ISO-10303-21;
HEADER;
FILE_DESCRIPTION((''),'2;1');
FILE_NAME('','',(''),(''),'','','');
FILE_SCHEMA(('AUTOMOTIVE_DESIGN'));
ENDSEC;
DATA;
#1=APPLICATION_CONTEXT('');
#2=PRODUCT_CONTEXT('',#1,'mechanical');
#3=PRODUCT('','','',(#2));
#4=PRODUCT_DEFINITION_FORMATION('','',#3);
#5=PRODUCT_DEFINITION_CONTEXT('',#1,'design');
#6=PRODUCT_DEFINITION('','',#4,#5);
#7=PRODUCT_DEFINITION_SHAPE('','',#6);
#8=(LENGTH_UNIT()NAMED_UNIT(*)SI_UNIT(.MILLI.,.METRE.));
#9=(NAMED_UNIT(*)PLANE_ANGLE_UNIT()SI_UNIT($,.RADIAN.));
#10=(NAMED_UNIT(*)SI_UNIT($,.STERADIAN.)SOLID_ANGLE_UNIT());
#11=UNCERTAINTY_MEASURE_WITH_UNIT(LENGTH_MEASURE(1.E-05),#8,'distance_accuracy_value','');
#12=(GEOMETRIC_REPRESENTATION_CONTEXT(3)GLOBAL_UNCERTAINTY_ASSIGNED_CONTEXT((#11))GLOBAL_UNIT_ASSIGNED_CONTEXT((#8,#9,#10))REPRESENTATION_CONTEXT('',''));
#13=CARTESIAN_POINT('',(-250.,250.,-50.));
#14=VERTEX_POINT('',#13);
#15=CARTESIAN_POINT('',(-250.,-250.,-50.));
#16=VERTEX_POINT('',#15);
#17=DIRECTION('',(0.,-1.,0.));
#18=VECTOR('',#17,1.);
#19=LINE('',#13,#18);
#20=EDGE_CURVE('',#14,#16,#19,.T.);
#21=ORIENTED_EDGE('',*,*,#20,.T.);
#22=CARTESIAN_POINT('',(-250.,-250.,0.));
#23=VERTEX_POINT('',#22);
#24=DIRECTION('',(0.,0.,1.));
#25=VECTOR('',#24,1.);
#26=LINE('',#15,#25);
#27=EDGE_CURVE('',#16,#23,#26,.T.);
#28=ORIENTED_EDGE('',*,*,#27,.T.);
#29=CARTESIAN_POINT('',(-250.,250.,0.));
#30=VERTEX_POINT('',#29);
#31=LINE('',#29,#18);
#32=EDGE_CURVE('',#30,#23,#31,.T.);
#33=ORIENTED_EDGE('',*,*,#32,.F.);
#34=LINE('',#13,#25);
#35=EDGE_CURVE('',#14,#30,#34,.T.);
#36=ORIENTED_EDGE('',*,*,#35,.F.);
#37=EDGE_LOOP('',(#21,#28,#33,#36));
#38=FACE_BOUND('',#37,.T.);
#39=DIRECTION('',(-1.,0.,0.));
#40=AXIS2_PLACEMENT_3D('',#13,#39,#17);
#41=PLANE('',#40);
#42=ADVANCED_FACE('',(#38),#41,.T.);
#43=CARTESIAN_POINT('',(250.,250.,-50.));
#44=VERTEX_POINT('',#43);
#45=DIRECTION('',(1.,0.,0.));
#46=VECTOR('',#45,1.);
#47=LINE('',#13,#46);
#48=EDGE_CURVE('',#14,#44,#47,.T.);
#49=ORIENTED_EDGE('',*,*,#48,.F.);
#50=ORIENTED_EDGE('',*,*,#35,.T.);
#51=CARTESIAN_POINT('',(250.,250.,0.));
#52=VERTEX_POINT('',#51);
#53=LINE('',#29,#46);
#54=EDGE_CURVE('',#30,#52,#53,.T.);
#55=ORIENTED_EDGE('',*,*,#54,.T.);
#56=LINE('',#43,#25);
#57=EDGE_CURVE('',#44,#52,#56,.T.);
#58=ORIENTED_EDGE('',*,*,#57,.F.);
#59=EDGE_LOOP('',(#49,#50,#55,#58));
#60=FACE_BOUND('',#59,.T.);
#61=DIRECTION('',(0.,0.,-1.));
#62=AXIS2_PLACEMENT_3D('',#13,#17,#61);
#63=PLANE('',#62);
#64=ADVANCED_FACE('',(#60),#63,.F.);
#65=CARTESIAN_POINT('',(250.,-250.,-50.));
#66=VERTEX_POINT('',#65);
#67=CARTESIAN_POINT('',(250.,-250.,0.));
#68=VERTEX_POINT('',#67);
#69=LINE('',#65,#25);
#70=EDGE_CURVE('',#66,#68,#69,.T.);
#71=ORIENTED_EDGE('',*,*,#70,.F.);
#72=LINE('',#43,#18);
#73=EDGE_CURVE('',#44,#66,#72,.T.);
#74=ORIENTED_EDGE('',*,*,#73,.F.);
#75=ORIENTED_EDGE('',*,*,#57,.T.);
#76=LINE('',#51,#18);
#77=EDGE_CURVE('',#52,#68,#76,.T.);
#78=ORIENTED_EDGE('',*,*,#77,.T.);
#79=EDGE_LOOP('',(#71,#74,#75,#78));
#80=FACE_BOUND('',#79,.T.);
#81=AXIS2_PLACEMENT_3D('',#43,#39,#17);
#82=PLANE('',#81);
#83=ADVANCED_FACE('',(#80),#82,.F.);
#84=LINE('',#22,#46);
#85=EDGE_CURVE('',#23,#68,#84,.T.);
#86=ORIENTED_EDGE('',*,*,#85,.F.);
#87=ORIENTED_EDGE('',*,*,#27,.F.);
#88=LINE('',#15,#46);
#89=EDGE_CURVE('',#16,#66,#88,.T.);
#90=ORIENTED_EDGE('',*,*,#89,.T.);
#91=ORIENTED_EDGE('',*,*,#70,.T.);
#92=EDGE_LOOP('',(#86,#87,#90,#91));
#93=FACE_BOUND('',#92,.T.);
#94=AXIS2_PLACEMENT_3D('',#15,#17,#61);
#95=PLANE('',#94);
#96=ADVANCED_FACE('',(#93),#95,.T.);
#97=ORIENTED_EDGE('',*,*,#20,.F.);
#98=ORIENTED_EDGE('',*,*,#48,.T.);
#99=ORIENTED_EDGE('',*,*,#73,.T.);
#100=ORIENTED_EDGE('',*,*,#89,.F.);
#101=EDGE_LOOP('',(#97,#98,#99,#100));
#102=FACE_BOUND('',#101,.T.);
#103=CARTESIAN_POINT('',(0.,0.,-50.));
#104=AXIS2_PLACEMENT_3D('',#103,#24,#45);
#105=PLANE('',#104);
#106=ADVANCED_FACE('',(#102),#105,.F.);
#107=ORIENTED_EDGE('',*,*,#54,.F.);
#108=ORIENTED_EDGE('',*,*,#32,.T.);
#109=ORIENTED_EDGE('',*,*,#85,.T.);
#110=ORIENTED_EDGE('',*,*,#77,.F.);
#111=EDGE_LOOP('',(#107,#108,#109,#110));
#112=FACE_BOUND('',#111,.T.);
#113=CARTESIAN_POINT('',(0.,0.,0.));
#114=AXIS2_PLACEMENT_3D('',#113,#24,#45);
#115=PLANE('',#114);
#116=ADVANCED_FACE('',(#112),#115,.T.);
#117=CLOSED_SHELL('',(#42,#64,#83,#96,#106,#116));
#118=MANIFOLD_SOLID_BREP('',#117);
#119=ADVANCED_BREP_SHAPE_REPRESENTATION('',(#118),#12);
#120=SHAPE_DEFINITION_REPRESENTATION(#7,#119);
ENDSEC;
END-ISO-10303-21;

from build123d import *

# Parameters (mm, degrees)
SKETCH_259_W      = 500
SKETCH_259_H      = 500
EXTRUDE_603_DEPTH = 50


with BuildPart() as part:
    # Sketch 259 → Extrude 603 (new body)
    with BuildSketch(Plane.XY):
        Rectangle(SKETCH_259_W, SKETCH_259_H)
    extrude(amount=-EXTRUDE_603_DEPTH)


solid = part.part
